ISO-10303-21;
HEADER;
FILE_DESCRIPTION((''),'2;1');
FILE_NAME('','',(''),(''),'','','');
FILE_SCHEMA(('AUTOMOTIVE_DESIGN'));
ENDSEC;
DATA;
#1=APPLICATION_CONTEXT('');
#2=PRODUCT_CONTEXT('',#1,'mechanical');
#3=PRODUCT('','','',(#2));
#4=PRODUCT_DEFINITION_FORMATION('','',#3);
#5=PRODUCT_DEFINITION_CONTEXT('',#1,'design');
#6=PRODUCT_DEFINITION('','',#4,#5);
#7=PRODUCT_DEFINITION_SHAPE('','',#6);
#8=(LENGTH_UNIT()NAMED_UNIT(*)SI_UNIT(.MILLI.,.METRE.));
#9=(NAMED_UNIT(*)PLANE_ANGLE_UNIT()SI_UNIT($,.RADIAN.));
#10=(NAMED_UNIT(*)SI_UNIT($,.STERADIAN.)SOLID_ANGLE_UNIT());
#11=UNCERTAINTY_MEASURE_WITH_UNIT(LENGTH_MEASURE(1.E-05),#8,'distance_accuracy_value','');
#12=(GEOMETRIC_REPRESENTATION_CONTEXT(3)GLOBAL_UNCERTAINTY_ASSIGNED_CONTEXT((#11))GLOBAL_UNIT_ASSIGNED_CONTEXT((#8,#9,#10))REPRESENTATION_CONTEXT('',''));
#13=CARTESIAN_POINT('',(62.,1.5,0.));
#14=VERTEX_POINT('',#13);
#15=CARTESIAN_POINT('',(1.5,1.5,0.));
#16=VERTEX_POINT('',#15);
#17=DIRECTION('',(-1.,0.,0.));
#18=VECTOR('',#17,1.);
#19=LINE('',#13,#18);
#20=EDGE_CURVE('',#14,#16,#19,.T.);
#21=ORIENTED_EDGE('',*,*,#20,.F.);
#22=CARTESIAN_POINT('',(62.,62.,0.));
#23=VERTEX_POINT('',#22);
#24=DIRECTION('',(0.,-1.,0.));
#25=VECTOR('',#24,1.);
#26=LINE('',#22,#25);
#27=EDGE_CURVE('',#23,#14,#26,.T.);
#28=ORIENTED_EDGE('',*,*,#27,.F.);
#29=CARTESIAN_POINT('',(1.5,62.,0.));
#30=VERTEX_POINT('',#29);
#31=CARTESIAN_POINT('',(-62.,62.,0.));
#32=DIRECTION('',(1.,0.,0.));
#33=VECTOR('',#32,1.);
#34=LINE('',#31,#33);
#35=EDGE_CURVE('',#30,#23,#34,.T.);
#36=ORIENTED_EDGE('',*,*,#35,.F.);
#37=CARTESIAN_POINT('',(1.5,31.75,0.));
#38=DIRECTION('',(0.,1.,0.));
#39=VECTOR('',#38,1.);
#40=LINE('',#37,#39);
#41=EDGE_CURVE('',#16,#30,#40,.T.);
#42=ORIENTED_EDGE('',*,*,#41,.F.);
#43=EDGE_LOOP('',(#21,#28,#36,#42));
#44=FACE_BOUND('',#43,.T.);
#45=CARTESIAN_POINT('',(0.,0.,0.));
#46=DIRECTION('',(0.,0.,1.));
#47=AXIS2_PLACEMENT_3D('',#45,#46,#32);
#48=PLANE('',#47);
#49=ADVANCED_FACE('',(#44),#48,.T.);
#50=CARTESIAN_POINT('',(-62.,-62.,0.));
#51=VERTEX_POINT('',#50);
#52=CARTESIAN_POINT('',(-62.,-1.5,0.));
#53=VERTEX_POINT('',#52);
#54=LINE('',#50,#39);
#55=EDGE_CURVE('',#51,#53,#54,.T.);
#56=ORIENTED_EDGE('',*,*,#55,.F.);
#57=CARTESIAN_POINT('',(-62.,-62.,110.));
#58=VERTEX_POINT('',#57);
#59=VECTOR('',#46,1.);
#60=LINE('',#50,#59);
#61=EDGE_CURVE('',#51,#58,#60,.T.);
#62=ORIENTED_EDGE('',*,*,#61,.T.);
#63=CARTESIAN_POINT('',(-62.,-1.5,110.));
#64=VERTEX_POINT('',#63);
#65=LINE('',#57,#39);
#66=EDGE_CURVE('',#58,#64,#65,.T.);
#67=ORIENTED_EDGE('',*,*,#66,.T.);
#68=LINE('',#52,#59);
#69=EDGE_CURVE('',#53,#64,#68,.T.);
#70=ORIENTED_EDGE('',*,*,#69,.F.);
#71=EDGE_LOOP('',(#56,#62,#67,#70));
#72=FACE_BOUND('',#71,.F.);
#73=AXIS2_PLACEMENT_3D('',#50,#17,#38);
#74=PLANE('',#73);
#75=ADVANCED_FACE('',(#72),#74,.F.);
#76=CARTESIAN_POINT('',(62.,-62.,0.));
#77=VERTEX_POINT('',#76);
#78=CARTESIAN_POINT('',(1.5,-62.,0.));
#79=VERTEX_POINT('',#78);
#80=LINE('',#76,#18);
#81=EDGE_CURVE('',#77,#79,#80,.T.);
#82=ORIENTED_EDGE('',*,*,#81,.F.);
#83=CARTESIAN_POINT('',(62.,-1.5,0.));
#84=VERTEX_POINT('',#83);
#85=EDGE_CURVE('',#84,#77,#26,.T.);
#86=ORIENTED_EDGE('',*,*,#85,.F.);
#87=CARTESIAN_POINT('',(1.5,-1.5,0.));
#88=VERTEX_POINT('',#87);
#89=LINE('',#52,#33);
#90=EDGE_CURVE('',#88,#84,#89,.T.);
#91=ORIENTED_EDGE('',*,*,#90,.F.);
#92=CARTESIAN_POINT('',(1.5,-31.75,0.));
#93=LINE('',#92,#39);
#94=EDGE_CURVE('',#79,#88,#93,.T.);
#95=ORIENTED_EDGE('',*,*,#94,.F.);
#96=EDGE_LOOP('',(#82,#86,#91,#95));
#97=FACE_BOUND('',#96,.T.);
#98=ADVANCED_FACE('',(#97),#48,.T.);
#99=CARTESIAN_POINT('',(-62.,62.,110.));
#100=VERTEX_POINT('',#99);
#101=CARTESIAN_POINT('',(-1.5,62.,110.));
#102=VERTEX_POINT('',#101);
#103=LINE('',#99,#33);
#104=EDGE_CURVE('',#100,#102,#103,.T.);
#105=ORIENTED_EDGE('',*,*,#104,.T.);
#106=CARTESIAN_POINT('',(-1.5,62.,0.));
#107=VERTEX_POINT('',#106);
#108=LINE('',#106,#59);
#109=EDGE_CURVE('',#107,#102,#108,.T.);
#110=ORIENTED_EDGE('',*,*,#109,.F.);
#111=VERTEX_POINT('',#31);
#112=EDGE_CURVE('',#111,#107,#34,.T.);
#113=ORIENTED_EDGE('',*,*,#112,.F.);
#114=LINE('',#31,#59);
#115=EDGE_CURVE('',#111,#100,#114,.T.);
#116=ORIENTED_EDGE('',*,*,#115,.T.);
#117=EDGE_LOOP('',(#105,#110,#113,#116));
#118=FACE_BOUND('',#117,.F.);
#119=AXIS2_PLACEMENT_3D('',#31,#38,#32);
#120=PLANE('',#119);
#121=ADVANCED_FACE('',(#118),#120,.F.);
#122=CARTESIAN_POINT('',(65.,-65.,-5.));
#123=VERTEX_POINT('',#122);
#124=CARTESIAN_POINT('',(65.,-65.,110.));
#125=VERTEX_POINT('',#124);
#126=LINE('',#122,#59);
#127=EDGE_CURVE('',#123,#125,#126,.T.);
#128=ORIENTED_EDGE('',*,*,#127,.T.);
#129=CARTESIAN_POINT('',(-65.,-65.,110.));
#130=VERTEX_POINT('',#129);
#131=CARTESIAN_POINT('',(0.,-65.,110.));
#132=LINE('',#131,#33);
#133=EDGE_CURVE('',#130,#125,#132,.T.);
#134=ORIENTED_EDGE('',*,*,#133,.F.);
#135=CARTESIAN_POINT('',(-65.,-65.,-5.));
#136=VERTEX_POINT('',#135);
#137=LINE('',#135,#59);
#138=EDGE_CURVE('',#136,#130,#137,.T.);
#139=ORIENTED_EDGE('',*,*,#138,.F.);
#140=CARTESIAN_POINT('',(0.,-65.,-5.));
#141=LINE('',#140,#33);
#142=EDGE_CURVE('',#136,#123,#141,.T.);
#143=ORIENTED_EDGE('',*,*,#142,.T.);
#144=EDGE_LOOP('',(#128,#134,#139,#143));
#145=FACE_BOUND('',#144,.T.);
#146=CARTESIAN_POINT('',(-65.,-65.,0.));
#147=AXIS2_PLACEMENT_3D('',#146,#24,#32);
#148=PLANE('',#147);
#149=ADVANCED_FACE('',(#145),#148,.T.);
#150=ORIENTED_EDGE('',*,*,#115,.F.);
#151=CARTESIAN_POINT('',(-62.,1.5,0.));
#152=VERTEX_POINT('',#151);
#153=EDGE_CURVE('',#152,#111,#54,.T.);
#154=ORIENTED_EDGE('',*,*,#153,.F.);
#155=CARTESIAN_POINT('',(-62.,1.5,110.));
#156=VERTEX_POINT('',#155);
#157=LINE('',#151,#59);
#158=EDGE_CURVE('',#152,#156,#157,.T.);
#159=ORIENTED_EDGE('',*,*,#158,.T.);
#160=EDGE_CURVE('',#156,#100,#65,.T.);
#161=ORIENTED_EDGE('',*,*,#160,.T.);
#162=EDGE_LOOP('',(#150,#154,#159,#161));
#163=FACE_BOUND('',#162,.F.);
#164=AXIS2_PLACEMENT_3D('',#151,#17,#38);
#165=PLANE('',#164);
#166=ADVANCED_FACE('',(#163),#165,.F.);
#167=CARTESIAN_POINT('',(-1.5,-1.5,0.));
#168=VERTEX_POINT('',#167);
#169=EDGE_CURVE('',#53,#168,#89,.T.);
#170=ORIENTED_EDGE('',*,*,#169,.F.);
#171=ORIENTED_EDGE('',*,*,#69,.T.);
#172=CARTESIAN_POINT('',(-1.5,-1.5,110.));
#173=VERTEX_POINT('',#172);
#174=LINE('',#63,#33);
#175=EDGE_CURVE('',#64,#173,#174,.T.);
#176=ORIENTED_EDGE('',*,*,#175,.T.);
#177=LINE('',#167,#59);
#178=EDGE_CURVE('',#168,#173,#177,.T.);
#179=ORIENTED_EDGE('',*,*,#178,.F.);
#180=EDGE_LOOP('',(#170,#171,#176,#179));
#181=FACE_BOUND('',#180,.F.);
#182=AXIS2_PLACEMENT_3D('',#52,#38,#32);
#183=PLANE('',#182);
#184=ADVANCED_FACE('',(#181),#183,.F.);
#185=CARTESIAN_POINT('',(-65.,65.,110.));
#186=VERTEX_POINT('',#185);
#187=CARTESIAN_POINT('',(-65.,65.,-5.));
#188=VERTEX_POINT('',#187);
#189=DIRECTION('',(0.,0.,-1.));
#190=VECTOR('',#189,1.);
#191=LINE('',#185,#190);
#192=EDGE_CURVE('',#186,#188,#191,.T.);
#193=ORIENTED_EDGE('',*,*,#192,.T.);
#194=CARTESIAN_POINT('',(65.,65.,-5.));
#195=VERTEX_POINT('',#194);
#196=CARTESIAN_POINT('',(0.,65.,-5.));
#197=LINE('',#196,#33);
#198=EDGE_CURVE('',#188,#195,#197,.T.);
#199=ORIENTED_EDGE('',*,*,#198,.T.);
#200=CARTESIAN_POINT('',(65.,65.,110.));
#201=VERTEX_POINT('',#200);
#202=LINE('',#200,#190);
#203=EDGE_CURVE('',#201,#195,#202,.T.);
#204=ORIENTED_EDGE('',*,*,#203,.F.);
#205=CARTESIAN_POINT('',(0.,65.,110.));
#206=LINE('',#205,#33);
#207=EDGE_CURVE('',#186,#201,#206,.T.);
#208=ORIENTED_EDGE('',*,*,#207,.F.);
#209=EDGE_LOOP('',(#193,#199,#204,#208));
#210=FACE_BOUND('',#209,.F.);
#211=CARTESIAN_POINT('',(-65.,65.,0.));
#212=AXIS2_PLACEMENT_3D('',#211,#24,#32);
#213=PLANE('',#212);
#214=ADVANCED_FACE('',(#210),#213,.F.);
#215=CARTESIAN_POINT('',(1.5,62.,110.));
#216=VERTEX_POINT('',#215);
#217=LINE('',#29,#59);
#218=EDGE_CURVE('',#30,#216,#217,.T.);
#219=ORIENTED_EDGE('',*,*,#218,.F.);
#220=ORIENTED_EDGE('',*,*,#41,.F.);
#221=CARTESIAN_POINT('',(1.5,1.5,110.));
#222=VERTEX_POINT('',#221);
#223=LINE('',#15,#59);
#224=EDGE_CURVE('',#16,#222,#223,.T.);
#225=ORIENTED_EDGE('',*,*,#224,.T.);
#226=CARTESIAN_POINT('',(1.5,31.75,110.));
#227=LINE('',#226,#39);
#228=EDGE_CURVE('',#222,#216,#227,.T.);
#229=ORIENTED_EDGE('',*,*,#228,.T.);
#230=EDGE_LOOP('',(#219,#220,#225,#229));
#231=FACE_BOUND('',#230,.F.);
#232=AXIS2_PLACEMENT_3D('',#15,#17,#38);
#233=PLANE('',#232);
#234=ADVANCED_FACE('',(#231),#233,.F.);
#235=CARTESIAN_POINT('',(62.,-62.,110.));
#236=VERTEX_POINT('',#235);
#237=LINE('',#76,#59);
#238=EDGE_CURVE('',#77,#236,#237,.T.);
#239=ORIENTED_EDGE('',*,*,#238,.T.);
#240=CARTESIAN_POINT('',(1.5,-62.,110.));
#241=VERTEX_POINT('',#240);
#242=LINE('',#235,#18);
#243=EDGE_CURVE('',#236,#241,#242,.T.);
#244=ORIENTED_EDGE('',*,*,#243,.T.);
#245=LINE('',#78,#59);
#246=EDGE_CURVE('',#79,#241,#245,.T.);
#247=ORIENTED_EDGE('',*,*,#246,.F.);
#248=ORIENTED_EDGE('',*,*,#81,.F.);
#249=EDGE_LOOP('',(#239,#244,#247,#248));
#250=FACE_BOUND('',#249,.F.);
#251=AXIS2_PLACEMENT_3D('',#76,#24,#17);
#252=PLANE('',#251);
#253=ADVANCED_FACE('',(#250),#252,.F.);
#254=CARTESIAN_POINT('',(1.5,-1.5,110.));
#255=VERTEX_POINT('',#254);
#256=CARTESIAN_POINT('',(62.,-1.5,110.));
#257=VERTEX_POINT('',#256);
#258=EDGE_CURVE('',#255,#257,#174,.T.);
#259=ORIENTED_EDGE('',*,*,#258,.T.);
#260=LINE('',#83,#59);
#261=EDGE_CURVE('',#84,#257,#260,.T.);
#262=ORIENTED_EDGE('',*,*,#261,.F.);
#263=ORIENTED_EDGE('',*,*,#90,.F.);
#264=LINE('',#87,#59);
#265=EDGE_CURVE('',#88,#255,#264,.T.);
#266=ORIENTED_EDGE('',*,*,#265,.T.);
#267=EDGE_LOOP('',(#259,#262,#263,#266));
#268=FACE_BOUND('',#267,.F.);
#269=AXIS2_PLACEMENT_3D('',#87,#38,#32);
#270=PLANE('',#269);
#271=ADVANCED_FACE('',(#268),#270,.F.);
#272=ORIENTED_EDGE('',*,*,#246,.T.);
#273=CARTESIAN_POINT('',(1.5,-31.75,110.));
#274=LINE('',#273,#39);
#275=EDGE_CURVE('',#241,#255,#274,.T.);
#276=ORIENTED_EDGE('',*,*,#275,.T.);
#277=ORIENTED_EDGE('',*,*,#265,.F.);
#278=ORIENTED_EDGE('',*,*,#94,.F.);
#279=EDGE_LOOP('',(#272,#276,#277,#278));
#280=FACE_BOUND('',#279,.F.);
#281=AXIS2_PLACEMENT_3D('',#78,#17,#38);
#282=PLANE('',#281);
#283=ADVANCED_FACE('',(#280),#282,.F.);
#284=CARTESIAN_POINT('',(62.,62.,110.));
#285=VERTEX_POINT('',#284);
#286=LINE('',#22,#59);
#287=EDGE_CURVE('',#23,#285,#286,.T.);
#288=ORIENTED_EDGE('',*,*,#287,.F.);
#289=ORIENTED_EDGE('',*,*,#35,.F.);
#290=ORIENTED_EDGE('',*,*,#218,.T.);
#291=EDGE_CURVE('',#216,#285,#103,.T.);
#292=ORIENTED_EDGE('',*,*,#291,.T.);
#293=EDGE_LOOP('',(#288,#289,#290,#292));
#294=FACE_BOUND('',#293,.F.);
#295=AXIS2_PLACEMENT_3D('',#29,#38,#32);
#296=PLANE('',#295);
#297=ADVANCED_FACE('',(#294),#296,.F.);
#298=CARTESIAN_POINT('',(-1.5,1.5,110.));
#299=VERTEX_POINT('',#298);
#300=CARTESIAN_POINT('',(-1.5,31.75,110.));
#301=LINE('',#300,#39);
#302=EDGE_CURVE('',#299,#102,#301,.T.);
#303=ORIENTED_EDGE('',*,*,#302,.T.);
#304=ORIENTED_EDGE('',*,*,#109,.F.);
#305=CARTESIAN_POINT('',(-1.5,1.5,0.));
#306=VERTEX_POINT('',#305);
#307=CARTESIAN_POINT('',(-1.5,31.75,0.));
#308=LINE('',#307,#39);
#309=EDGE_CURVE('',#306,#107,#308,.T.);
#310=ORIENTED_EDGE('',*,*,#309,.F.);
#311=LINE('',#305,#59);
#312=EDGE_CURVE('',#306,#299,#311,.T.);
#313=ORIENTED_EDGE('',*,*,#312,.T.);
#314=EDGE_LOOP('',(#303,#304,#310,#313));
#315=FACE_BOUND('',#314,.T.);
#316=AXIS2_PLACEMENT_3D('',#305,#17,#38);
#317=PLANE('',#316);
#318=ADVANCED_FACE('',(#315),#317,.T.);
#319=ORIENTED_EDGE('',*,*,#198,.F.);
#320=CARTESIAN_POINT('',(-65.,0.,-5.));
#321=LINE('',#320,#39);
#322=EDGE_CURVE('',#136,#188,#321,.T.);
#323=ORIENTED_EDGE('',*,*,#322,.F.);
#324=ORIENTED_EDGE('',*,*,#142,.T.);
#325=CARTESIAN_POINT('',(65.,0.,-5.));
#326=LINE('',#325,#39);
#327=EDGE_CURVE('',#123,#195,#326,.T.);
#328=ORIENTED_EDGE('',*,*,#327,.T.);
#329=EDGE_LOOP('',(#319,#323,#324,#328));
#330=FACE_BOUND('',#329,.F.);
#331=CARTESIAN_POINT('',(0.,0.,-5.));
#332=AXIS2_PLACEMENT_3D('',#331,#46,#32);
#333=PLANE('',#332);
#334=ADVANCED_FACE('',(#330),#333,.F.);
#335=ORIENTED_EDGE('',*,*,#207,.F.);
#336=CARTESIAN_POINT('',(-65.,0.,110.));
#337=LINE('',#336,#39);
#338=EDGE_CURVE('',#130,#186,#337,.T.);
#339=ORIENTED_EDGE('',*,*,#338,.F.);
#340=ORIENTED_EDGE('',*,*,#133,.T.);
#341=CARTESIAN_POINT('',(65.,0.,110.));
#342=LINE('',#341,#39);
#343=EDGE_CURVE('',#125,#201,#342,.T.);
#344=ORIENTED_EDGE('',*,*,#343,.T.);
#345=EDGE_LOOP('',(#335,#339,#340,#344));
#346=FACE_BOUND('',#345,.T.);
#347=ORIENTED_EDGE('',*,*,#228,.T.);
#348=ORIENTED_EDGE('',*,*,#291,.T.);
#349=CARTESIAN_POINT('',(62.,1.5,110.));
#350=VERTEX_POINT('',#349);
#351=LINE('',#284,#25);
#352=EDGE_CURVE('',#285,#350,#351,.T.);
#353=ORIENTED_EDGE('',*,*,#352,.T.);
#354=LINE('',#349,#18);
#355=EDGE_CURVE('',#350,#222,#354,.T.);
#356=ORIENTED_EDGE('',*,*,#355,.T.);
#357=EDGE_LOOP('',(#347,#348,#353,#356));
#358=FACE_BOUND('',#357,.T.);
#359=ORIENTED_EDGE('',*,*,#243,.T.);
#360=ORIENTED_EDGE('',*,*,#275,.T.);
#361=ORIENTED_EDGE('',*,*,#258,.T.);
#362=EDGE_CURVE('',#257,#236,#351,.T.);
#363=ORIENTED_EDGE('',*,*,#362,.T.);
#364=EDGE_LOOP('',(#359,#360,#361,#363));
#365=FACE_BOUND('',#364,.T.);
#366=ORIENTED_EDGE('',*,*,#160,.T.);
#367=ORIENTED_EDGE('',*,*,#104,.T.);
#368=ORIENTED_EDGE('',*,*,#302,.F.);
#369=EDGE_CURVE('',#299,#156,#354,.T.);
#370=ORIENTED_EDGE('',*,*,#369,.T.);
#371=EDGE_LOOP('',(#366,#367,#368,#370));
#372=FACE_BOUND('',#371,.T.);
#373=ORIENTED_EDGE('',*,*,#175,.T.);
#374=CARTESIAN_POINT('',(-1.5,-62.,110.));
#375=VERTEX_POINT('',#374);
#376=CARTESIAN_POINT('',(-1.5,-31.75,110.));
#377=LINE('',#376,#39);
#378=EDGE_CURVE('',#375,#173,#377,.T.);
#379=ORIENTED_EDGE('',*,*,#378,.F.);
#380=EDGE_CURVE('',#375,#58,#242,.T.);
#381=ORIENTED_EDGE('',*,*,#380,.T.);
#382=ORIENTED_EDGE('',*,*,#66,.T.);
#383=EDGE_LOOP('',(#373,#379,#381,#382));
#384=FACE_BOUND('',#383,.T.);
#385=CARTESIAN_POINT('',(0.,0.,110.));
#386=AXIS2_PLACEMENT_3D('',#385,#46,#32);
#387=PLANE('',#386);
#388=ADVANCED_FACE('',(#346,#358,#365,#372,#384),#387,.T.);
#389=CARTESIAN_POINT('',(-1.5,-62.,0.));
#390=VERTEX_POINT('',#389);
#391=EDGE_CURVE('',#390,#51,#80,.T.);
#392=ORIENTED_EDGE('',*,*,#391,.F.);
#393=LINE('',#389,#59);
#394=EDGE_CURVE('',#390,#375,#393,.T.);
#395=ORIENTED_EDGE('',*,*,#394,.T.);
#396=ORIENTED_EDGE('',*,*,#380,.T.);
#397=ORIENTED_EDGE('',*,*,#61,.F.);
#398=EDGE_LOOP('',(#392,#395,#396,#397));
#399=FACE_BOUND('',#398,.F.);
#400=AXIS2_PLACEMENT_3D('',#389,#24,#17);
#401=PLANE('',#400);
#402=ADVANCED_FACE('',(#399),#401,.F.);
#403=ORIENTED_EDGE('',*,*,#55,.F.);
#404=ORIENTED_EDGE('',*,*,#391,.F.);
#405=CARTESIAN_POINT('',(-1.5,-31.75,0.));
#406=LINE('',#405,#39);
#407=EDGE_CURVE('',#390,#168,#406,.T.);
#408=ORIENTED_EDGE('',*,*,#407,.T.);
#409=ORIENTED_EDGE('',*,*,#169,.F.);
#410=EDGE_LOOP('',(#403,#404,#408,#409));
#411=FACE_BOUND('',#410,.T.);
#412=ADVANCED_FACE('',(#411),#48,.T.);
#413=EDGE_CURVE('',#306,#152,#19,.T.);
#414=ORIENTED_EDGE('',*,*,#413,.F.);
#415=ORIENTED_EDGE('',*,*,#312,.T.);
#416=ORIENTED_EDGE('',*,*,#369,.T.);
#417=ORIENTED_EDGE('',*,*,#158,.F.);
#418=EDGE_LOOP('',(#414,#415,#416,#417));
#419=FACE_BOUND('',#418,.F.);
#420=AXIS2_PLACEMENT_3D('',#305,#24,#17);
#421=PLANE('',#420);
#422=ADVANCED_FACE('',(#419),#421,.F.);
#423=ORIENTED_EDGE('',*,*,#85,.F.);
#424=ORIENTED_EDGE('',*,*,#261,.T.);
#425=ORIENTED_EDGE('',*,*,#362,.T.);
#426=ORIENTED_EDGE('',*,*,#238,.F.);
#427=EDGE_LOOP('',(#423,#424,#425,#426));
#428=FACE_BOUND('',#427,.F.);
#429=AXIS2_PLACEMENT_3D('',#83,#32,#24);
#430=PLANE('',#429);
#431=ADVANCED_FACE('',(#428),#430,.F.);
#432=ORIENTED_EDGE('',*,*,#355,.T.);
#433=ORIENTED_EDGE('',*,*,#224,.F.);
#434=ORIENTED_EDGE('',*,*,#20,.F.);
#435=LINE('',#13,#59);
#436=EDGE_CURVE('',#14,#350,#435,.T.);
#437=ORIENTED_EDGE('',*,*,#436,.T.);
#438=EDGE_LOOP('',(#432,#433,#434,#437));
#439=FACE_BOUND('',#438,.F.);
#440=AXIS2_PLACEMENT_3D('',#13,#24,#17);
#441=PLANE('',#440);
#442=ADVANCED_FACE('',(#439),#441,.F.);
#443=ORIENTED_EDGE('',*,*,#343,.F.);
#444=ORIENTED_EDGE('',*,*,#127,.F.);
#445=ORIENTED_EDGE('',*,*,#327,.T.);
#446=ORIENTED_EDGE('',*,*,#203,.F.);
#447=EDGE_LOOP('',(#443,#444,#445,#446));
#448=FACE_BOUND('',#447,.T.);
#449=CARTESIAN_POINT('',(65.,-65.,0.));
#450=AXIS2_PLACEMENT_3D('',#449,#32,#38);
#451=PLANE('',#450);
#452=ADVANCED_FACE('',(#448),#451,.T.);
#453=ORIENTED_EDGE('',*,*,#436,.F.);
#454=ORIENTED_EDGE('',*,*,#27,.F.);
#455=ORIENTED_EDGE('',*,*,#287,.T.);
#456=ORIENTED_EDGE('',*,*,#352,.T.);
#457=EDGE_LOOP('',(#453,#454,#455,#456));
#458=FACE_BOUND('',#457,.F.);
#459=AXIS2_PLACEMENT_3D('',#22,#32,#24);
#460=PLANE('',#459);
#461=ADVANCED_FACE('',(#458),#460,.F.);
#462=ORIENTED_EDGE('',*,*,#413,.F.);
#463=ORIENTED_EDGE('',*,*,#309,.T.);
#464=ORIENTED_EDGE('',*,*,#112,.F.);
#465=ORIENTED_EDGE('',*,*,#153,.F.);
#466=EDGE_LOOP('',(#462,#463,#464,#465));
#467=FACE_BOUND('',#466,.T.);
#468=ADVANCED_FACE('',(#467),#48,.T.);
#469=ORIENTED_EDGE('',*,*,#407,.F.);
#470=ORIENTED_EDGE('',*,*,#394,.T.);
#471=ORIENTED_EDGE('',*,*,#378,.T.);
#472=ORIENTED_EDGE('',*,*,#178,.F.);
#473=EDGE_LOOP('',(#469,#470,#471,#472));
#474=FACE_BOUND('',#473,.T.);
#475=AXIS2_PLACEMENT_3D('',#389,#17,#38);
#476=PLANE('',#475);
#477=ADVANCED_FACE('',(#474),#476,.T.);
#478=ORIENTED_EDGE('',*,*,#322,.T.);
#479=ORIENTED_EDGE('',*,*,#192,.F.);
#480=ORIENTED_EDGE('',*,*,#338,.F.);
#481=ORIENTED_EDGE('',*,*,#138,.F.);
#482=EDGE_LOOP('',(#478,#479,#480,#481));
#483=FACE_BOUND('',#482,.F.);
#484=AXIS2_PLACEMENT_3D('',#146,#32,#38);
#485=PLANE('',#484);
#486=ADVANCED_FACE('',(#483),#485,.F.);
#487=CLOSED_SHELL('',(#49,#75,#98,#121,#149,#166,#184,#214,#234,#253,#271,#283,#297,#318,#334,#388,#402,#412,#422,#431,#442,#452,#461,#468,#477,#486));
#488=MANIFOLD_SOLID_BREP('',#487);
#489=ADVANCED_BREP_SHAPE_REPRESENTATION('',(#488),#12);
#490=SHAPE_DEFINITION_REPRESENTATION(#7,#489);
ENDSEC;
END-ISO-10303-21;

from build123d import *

# Parameters (mm, degrees)
F0_W     = 130
F0_H     = 130
F0_W_2   = 60.5
F0_H_2   = 3
F0_W_3   = 3
F0_H_3   = 60.5
F1_DEPTH = 110
F2_DEPTH = 5


with BuildPart() as f1:
    # F0 (on Top) → F1 (new body)
    with BuildSketch(Plane.XY):
        Rectangle(F0_W, F0_H)
        Polygon((-62, 1.5), (-62, 62), (-1.5, 62), (1.5, 62), (62, 62), (62, 1.5), (62, -1.5), (62, -62), (1.5, -62), (-1.5, -62), (-62, -62), (-62, -1.5), align=None, mode=Mode.SUBTRACT)
        with Locations((-31.75, 0)):
            Rectangle(F0_W_2, F0_H_2)
        Rectangle(F0_W_3, F0_H_2)
        with Locations((31.75, 0)):
            Rectangle(F0_W_2, F0_H_2)
        with Locations((0, 31.75)):
            Rectangle(F0_W_3, F0_H_3)
        with Locations((0, -31.75)):
            Rectangle(F0_W_3, F0_H_3)
    extrude(amount=F1_DEPTH)

    # F0 (on Top) → F2 (join)
    with BuildSketch(Plane.XY):
        Rectangle(F0_W, F0_H)
        Polygon((-62, 1.5), (-62, 62), (-1.5, 62), (1.5, 62), (62, 62), (62, 1.5), (62, -1.5), (62, -62), (1.5, -62), (-1.5, -62), (-62, -62), (-62, -1.5), align=None, mode=Mode.SUBTRACT)
        with Locations((-31.75, 31.75)):
            Rectangle(F0_W_2, F0_H_3)
        with Locations((31.75, 31.75)):
            Rectangle(F0_W_2, F0_H_3)
        with Locations((-31.75, -31.75)):
            Rectangle(F0_W_2, F0_H_3)
        with Locations((31.75, -31.75)):
            Rectangle(F0_W_2, F0_H_3)
        with Locations((0, 31.75)):
            Rectangle(F0_W_3, F0_H_3)
        with Locations((0, -31.75)):
            Rectangle(F0_W_3, F0_H_3)
        with Locations((-31.75, 0)):
            Rectangle(F0_W_2, F0_H_2)
        with Locations((31.75, 0)):
            Rectangle(F0_W_2, F0_H_2)
        Rectangle(F0_W_3, F0_H_2)
    extrude(amount=-F2_DEPTH)


solid = f1.part
